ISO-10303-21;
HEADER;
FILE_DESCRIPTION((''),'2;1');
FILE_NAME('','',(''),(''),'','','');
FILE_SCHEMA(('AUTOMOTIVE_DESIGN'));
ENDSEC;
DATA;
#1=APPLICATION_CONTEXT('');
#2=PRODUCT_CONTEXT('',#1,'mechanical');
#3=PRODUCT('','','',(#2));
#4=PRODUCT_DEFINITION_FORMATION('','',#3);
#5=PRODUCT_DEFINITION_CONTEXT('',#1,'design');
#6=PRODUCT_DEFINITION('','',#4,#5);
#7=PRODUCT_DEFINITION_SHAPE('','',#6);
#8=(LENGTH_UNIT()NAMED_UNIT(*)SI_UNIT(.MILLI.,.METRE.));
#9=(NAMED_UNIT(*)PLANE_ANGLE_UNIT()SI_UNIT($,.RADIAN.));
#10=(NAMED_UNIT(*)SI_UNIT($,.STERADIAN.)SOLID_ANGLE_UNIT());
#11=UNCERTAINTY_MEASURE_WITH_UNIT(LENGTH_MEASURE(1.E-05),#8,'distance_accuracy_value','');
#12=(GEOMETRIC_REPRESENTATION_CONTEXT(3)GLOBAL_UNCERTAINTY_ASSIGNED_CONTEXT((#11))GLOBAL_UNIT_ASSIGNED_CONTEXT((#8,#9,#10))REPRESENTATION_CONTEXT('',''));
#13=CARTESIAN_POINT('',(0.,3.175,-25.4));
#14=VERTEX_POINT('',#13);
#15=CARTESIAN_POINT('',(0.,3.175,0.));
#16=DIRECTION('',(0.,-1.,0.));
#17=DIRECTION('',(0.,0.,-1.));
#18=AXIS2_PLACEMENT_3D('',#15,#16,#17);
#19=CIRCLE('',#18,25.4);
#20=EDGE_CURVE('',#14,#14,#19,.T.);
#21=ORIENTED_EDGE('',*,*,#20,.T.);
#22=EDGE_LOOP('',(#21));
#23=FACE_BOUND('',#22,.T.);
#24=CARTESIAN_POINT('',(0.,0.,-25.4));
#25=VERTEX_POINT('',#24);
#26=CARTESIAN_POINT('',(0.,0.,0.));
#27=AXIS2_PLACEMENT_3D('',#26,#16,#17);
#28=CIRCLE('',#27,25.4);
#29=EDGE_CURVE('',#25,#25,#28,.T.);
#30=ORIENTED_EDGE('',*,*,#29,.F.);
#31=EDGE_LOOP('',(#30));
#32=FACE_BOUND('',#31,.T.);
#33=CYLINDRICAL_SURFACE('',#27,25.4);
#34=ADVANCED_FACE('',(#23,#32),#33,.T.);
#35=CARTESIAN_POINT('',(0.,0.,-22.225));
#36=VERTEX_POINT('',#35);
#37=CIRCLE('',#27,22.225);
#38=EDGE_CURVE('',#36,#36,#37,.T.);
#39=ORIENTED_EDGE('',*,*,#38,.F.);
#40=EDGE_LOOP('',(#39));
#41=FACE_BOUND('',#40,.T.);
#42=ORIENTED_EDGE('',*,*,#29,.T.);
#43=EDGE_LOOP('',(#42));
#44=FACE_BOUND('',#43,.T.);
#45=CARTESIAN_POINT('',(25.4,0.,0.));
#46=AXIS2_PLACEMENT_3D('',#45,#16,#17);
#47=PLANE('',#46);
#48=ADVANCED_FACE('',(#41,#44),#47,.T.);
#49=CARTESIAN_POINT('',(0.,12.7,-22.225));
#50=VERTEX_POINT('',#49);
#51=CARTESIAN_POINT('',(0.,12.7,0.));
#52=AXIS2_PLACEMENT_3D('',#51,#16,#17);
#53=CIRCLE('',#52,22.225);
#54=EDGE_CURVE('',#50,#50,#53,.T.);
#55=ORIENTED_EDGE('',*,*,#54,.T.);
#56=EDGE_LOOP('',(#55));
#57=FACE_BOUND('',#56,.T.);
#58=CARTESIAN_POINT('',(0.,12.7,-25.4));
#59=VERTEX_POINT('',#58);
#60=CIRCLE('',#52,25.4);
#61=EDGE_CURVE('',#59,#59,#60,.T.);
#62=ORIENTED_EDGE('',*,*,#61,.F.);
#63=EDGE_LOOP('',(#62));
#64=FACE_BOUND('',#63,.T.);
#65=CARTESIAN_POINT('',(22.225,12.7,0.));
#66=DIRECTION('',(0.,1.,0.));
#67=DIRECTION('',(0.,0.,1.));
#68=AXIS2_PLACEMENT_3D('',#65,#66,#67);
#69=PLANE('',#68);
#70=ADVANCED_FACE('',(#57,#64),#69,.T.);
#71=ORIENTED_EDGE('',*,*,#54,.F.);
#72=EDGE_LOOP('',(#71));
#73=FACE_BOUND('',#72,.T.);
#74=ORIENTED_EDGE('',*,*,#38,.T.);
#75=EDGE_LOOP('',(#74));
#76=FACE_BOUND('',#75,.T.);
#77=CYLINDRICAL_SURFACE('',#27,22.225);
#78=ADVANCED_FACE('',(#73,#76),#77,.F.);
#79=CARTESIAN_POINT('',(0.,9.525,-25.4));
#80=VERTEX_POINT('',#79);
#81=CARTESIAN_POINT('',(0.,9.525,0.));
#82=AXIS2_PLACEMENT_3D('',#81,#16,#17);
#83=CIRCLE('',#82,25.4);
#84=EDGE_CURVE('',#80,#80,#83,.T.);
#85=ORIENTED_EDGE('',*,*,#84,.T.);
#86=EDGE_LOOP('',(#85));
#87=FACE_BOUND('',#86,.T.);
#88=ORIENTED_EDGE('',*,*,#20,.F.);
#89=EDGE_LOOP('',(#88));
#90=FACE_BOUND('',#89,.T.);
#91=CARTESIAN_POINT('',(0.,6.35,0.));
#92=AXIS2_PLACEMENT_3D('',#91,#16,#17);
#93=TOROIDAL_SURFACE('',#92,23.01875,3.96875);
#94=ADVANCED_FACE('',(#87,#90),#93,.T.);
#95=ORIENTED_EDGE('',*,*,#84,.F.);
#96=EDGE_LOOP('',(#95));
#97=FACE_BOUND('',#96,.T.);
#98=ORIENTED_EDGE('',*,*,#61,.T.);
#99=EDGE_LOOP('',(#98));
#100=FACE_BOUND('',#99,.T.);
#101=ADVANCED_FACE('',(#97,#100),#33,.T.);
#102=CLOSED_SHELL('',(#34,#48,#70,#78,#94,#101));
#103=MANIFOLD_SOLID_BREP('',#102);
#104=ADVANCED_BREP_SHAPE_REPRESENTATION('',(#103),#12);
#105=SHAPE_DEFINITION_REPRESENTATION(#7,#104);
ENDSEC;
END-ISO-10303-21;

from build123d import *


with BuildPart() as part:
    # Sketch3 → Revolve3 (revolve)
    with BuildSketch(Plane.XY, mode=Mode.PRIVATE) as revolve3_sk:
        with BuildLine():
            Line((25.4, 0), (22.225, 0))
            Line((22.225, 0), (22.225, 12.7))
            Line((22.225, 12.7), (25.4, 12.7))
            Line((25.4, 12.7), (25.4, 9.525))
            ThreePointArc((25.4, 9.525), (26.9875, 6.35), (25.4, 3.175))
            Line((25.4, 3.175), (25.4, 0))
        make_face()
    revolve(revolve3_sk.sketch.rotate(Axis((0, 0, 0), (0, 1, 0)), 90), axis=Axis((0, 0, 0), (0, 1, 0)))


solid = part.part
